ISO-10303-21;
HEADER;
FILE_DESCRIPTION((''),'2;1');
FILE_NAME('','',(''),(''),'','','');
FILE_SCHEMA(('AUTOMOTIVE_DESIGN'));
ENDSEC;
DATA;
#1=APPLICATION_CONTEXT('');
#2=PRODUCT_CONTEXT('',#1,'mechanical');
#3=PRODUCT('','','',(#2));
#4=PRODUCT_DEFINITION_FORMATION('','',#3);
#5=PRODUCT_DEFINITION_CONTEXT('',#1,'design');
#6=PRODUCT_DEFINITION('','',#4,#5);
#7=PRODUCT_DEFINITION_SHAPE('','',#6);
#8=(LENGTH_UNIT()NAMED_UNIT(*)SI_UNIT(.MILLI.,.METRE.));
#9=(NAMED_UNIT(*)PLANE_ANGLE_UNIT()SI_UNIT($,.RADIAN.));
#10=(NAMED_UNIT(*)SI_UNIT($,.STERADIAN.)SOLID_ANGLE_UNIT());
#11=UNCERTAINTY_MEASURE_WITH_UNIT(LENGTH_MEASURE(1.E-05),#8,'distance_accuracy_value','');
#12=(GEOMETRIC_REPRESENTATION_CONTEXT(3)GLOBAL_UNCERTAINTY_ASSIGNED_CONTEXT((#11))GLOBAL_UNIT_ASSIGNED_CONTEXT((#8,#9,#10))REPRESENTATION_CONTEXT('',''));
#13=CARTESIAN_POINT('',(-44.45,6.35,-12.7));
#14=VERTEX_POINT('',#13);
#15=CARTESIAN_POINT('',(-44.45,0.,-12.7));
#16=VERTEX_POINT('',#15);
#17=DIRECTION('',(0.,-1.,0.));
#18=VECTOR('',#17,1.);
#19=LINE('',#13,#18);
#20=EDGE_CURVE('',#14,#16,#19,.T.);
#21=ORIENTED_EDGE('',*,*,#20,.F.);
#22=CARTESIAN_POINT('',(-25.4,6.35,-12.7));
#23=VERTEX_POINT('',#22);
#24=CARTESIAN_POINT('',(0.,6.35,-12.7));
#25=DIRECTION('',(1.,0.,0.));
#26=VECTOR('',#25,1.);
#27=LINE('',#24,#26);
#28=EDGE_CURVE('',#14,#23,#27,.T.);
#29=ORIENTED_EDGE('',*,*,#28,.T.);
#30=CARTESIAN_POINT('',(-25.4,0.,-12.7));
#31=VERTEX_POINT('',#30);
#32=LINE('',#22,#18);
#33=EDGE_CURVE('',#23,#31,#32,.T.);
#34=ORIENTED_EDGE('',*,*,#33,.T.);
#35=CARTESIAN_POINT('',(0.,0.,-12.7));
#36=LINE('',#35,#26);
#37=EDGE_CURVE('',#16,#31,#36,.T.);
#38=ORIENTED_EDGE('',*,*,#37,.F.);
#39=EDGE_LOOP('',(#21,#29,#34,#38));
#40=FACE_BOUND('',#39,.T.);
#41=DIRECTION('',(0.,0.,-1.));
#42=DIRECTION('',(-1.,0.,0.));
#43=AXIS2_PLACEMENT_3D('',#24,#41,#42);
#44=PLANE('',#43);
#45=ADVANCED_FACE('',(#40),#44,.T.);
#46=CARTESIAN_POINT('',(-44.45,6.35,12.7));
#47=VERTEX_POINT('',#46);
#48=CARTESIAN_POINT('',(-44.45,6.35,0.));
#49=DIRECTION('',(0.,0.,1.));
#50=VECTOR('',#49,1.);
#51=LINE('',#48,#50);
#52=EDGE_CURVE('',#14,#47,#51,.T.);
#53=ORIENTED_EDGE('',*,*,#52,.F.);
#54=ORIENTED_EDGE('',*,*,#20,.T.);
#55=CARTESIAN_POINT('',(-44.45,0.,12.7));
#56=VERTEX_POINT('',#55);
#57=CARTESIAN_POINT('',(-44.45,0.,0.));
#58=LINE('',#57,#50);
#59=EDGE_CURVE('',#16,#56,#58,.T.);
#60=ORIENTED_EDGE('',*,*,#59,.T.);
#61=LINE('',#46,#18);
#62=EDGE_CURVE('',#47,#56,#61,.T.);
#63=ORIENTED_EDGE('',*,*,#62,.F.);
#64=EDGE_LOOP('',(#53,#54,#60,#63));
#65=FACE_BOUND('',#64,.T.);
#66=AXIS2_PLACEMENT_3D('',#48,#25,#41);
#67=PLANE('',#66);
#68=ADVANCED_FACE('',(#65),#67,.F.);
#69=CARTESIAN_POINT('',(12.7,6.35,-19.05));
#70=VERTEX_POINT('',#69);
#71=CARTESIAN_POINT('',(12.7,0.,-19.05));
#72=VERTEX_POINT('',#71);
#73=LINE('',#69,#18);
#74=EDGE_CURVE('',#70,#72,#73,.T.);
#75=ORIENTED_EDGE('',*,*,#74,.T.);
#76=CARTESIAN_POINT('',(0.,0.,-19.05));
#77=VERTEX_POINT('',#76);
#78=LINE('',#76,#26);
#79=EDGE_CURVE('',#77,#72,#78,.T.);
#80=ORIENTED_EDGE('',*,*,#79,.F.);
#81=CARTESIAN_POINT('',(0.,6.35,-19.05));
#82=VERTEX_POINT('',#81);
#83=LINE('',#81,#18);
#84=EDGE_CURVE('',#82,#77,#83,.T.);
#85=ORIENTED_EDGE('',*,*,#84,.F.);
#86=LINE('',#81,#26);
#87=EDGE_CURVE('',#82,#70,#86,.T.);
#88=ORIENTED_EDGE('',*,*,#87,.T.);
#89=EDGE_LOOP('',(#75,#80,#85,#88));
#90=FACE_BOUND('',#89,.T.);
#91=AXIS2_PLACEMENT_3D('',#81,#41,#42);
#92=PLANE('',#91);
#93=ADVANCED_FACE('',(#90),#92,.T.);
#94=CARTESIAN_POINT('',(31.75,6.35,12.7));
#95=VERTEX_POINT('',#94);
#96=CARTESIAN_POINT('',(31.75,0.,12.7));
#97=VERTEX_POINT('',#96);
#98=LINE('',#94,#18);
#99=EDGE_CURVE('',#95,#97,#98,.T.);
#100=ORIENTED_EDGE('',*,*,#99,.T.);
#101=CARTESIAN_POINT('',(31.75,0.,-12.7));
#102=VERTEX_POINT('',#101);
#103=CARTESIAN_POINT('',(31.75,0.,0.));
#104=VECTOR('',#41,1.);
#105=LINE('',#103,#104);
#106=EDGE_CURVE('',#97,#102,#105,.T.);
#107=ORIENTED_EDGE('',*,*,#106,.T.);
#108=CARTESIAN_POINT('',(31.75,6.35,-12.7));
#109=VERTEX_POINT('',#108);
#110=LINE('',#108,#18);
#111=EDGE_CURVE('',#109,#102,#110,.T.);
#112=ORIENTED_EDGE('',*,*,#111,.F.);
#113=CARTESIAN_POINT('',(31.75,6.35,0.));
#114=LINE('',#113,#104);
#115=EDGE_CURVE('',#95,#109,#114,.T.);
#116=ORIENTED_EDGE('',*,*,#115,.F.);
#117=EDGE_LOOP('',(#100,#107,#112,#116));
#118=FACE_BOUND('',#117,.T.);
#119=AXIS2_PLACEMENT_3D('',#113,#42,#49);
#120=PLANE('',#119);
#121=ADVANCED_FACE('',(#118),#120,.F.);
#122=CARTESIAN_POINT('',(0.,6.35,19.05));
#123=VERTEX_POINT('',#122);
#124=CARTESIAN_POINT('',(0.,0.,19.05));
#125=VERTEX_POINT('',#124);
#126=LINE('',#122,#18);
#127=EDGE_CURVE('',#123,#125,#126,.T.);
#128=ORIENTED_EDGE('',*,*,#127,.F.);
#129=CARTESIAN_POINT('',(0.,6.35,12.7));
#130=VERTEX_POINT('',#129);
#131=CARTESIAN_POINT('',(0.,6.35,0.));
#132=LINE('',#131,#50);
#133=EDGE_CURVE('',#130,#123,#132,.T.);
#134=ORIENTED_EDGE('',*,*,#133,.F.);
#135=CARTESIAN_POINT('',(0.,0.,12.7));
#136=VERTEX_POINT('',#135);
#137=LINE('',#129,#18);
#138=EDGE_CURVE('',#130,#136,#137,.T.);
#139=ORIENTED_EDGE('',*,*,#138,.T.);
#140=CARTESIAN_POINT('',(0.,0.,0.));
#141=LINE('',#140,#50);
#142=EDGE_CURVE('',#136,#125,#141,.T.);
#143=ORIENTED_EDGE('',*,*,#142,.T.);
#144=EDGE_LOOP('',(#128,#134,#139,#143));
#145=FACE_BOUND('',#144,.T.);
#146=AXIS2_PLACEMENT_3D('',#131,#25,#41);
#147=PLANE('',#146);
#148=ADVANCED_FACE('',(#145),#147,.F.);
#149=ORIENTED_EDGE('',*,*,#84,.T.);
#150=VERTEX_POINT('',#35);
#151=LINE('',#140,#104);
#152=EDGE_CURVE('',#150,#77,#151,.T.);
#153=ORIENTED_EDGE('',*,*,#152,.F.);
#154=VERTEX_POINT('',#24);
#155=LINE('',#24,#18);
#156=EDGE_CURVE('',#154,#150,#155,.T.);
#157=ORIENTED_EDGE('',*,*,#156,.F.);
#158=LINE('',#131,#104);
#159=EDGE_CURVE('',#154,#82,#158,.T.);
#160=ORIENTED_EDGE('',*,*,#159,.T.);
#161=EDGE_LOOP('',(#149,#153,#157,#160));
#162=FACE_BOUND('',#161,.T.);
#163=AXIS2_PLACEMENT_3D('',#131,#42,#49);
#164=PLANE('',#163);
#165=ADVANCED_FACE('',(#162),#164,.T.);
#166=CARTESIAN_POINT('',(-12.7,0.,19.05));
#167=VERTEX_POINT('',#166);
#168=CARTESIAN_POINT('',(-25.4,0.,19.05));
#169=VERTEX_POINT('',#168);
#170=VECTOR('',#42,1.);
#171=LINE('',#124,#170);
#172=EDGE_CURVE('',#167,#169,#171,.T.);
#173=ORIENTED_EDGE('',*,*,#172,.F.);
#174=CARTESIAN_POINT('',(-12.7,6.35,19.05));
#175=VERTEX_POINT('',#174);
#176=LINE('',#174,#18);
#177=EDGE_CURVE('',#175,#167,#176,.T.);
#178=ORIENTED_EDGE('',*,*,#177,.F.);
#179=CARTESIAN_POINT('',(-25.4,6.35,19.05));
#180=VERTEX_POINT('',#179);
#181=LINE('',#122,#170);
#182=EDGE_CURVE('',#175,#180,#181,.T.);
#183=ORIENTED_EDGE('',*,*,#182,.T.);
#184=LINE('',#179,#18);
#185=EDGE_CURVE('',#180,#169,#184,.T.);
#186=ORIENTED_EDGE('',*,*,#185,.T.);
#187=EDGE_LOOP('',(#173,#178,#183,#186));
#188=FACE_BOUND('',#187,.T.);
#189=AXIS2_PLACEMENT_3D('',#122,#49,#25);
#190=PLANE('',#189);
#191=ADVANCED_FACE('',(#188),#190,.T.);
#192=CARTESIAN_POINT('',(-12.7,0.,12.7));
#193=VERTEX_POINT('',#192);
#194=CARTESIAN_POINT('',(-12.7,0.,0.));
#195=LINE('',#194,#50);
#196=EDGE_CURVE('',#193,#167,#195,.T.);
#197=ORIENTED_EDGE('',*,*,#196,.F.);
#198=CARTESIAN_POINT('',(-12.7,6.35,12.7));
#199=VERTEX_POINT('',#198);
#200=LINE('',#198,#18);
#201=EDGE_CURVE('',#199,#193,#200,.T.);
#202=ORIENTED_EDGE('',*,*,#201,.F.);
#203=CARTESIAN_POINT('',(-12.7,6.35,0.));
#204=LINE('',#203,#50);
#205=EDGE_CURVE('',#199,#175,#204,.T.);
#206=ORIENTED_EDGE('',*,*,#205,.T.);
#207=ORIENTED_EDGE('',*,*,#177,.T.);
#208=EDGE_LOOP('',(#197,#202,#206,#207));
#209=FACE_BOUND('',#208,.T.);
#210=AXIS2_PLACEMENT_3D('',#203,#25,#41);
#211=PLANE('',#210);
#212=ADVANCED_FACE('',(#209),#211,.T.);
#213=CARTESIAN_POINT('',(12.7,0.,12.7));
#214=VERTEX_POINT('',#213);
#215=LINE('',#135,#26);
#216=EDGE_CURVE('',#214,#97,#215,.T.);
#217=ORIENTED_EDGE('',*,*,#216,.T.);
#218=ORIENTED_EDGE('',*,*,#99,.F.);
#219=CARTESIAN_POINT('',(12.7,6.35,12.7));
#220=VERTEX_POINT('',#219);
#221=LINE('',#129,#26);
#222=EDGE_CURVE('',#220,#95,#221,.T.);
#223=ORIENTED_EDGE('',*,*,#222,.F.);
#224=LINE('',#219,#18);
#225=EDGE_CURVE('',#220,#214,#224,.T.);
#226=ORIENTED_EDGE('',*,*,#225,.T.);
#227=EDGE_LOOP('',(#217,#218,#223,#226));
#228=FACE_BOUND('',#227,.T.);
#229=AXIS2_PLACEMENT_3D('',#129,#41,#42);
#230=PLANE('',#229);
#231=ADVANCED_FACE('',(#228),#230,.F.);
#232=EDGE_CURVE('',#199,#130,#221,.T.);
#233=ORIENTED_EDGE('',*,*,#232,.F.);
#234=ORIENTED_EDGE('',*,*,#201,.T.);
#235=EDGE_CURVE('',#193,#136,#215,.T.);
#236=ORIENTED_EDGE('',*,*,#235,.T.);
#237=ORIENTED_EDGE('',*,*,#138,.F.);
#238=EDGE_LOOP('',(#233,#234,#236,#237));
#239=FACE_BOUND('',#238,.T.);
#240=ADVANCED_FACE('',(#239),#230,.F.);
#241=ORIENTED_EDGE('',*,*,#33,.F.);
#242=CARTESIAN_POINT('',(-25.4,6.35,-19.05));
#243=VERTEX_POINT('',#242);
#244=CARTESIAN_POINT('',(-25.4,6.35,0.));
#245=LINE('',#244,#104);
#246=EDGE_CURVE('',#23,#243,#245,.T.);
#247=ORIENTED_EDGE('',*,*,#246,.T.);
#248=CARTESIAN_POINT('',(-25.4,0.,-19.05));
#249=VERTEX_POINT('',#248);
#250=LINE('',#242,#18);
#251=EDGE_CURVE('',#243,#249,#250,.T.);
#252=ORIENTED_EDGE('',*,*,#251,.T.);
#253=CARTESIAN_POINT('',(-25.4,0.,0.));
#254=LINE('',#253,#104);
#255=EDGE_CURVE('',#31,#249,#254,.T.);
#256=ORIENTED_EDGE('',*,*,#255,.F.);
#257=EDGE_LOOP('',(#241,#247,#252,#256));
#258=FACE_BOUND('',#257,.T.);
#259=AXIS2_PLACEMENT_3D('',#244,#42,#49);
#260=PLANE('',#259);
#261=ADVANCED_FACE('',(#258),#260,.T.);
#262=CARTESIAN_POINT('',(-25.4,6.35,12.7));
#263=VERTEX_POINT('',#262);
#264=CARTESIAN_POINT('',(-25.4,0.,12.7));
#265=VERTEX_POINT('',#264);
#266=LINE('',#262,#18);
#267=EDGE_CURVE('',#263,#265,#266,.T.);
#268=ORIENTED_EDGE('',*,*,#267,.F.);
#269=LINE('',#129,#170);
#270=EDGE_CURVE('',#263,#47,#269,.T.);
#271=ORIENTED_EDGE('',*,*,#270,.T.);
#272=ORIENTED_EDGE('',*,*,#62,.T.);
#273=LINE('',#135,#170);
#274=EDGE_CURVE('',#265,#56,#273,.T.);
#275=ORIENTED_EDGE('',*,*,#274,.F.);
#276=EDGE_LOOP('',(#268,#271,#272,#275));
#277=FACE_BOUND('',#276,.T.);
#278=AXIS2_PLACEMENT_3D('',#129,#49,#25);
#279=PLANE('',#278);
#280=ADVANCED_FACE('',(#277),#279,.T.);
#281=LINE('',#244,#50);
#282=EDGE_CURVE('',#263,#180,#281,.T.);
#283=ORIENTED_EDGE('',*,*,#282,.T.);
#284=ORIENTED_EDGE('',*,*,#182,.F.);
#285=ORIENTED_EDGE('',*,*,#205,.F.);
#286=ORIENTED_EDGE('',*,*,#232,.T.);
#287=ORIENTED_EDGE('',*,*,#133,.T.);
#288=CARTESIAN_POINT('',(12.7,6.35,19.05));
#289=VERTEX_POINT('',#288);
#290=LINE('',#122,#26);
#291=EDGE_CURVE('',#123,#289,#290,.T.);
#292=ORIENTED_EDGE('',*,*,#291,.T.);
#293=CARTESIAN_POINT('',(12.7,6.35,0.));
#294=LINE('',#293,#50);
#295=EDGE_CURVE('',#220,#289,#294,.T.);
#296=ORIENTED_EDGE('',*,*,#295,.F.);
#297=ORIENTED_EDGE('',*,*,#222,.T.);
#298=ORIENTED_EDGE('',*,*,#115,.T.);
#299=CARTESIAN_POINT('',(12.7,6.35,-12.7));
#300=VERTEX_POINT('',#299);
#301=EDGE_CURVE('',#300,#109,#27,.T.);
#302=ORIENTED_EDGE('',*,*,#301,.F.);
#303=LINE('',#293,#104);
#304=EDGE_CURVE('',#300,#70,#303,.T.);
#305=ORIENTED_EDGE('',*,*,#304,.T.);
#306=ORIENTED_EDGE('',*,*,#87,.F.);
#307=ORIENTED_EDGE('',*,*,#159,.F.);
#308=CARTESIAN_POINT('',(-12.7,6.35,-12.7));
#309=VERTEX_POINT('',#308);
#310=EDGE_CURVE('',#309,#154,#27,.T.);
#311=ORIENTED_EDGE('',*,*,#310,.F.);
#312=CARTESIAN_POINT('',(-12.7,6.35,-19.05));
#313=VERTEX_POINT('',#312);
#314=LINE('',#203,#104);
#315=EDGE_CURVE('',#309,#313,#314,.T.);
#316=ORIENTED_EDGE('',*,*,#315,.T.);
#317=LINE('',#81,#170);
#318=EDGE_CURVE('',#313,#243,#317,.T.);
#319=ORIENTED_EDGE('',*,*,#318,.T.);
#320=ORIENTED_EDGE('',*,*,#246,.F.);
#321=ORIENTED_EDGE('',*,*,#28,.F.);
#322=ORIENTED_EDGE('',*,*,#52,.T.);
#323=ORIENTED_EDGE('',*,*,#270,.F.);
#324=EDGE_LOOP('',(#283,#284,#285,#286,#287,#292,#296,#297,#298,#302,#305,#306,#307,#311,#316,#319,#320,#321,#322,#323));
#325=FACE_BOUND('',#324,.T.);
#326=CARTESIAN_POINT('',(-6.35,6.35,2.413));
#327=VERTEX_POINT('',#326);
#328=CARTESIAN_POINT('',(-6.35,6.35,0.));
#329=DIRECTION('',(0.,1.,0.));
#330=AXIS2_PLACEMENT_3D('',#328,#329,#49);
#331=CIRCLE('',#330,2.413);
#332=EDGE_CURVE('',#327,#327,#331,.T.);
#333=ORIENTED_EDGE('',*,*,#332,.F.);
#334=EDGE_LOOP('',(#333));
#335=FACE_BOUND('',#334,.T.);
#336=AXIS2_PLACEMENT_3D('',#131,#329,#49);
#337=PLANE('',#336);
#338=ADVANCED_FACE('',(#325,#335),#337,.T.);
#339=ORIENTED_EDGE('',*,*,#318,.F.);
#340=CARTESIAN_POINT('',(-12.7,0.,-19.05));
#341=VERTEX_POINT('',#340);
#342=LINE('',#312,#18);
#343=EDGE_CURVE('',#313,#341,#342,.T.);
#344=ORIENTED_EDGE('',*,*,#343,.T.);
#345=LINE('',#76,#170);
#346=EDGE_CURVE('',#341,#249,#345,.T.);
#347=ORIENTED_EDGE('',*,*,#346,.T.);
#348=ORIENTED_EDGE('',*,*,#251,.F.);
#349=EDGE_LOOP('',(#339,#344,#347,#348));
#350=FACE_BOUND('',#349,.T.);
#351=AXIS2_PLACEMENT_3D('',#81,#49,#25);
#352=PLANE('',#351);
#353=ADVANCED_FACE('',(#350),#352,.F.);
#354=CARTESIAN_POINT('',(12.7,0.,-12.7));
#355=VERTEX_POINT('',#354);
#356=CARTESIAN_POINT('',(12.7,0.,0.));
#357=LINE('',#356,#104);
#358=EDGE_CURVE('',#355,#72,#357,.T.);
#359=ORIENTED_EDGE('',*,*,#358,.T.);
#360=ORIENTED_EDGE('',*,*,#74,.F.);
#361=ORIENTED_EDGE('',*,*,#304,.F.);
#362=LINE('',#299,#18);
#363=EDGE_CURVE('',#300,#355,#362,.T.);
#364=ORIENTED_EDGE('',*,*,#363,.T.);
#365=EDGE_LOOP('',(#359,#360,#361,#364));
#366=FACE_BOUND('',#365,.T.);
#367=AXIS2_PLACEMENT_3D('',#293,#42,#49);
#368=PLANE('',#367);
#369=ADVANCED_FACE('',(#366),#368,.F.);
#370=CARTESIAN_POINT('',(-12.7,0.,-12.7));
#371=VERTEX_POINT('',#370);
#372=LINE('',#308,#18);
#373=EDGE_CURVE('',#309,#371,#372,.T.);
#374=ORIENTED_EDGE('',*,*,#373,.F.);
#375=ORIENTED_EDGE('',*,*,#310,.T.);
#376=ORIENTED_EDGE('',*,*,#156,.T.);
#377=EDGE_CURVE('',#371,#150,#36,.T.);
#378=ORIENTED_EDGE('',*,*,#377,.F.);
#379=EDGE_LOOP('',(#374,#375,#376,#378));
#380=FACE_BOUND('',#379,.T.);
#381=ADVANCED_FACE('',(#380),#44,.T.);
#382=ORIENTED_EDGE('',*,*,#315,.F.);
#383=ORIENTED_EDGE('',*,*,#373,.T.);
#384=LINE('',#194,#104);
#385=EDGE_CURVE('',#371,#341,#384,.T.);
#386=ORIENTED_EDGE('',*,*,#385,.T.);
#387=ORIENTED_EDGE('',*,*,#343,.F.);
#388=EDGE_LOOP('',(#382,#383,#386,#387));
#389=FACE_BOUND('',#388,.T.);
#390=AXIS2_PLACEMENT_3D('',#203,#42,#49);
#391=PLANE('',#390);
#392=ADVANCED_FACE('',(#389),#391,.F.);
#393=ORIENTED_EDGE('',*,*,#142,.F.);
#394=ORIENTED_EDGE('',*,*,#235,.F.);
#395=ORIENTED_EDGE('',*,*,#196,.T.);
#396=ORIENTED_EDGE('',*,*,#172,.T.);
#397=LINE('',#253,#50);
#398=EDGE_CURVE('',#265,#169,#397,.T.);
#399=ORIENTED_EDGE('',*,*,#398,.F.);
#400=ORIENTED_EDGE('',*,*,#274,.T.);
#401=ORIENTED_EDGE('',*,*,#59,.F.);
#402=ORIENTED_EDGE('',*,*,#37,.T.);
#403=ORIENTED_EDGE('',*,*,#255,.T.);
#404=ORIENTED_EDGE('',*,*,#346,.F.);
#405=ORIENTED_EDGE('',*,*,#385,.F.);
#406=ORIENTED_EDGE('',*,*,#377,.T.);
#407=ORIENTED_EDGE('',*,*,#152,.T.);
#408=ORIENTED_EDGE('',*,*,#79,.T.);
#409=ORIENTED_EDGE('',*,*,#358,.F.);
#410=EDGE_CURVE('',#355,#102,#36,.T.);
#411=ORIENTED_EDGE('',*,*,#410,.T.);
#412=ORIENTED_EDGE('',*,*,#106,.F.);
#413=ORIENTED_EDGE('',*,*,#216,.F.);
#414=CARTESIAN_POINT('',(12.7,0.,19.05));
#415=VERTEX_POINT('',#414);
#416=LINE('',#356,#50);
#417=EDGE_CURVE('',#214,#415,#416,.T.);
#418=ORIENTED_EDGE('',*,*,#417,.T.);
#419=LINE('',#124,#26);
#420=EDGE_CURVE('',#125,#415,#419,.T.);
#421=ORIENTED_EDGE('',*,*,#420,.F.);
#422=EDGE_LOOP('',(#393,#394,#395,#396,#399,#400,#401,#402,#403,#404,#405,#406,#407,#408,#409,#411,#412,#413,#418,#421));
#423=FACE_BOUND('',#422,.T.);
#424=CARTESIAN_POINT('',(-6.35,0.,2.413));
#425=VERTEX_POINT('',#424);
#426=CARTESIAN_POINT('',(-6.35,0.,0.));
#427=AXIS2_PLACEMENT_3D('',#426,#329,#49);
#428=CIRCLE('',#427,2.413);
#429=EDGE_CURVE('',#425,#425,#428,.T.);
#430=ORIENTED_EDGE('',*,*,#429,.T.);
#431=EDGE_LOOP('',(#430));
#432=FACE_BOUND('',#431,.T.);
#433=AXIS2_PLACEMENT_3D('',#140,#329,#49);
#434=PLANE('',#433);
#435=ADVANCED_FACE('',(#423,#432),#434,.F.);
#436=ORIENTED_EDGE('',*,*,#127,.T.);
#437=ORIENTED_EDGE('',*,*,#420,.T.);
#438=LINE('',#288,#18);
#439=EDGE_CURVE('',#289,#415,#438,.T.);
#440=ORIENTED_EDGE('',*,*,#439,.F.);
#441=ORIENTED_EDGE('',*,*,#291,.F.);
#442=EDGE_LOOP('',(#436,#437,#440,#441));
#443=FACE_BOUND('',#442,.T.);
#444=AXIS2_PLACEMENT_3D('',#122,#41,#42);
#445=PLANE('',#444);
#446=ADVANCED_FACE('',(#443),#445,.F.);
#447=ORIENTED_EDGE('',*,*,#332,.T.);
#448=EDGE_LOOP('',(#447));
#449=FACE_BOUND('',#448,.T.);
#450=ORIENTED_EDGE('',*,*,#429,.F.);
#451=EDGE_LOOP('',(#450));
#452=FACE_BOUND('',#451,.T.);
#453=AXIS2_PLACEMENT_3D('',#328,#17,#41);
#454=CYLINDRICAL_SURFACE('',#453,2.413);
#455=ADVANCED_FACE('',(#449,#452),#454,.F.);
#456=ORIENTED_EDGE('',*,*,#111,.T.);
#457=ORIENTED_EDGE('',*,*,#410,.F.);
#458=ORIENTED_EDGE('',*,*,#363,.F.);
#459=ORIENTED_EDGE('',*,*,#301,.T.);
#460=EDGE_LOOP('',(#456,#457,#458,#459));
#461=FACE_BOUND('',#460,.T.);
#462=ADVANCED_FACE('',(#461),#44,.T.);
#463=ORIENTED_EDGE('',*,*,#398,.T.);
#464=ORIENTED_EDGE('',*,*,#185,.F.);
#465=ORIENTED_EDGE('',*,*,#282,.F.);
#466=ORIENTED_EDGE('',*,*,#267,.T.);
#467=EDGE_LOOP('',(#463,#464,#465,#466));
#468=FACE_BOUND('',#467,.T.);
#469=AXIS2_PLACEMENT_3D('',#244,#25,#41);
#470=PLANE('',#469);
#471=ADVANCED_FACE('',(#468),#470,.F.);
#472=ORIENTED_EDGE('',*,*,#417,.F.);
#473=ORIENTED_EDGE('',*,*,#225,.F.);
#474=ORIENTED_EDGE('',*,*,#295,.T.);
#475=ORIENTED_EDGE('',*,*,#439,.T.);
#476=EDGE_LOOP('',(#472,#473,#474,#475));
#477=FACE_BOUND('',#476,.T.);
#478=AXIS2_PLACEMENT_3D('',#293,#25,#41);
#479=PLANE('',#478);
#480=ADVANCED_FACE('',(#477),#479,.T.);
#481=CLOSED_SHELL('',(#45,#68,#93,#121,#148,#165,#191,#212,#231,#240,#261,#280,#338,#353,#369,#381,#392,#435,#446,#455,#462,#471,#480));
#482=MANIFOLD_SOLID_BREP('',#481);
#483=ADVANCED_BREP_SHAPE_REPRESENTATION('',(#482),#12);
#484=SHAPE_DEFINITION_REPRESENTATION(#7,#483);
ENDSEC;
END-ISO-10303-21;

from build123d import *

# Parameters (mm, degrees)
SKETCH1_R           = 2.413
BOSS_EXTRUDE1_DEPTH = 6.35


with BuildPart() as part:
    # Sketch1 → Boss-Extrude1 (new body)
    with BuildSketch(Plane(origin=(0, 0, 0), x_dir=(1, 0, 0), z_dir=(0, 1, 0))):
        Polygon((-44.45, -12.7), (-31.75, -12.7), (-25.4, -12.7), (-25.4, -19.05), (-12.7, -19.05), (-12.7, -12.7), (0, -12.7), (0, -19.05), (12.7, -19.05), (12.7, -12.7), (31.75, -12.7), (31.75, 12.7), (12.7, 12.7), (12.7, 19.05), (0, 19.05), (0, 12.7), (-12.7, 12.7), (-12.7, 19.05), (-25.4, 19.05), (-25.4, 12.7), (-31.75, 12.7), (-44.45, 12.7), align=None)
        with Locations((-6.35, 0)):
            Circle(SKETCH1_R, mode=Mode.SUBTRACT)
    extrude(amount=BOSS_EXTRUDE1_DEPTH)


solid = part.part
